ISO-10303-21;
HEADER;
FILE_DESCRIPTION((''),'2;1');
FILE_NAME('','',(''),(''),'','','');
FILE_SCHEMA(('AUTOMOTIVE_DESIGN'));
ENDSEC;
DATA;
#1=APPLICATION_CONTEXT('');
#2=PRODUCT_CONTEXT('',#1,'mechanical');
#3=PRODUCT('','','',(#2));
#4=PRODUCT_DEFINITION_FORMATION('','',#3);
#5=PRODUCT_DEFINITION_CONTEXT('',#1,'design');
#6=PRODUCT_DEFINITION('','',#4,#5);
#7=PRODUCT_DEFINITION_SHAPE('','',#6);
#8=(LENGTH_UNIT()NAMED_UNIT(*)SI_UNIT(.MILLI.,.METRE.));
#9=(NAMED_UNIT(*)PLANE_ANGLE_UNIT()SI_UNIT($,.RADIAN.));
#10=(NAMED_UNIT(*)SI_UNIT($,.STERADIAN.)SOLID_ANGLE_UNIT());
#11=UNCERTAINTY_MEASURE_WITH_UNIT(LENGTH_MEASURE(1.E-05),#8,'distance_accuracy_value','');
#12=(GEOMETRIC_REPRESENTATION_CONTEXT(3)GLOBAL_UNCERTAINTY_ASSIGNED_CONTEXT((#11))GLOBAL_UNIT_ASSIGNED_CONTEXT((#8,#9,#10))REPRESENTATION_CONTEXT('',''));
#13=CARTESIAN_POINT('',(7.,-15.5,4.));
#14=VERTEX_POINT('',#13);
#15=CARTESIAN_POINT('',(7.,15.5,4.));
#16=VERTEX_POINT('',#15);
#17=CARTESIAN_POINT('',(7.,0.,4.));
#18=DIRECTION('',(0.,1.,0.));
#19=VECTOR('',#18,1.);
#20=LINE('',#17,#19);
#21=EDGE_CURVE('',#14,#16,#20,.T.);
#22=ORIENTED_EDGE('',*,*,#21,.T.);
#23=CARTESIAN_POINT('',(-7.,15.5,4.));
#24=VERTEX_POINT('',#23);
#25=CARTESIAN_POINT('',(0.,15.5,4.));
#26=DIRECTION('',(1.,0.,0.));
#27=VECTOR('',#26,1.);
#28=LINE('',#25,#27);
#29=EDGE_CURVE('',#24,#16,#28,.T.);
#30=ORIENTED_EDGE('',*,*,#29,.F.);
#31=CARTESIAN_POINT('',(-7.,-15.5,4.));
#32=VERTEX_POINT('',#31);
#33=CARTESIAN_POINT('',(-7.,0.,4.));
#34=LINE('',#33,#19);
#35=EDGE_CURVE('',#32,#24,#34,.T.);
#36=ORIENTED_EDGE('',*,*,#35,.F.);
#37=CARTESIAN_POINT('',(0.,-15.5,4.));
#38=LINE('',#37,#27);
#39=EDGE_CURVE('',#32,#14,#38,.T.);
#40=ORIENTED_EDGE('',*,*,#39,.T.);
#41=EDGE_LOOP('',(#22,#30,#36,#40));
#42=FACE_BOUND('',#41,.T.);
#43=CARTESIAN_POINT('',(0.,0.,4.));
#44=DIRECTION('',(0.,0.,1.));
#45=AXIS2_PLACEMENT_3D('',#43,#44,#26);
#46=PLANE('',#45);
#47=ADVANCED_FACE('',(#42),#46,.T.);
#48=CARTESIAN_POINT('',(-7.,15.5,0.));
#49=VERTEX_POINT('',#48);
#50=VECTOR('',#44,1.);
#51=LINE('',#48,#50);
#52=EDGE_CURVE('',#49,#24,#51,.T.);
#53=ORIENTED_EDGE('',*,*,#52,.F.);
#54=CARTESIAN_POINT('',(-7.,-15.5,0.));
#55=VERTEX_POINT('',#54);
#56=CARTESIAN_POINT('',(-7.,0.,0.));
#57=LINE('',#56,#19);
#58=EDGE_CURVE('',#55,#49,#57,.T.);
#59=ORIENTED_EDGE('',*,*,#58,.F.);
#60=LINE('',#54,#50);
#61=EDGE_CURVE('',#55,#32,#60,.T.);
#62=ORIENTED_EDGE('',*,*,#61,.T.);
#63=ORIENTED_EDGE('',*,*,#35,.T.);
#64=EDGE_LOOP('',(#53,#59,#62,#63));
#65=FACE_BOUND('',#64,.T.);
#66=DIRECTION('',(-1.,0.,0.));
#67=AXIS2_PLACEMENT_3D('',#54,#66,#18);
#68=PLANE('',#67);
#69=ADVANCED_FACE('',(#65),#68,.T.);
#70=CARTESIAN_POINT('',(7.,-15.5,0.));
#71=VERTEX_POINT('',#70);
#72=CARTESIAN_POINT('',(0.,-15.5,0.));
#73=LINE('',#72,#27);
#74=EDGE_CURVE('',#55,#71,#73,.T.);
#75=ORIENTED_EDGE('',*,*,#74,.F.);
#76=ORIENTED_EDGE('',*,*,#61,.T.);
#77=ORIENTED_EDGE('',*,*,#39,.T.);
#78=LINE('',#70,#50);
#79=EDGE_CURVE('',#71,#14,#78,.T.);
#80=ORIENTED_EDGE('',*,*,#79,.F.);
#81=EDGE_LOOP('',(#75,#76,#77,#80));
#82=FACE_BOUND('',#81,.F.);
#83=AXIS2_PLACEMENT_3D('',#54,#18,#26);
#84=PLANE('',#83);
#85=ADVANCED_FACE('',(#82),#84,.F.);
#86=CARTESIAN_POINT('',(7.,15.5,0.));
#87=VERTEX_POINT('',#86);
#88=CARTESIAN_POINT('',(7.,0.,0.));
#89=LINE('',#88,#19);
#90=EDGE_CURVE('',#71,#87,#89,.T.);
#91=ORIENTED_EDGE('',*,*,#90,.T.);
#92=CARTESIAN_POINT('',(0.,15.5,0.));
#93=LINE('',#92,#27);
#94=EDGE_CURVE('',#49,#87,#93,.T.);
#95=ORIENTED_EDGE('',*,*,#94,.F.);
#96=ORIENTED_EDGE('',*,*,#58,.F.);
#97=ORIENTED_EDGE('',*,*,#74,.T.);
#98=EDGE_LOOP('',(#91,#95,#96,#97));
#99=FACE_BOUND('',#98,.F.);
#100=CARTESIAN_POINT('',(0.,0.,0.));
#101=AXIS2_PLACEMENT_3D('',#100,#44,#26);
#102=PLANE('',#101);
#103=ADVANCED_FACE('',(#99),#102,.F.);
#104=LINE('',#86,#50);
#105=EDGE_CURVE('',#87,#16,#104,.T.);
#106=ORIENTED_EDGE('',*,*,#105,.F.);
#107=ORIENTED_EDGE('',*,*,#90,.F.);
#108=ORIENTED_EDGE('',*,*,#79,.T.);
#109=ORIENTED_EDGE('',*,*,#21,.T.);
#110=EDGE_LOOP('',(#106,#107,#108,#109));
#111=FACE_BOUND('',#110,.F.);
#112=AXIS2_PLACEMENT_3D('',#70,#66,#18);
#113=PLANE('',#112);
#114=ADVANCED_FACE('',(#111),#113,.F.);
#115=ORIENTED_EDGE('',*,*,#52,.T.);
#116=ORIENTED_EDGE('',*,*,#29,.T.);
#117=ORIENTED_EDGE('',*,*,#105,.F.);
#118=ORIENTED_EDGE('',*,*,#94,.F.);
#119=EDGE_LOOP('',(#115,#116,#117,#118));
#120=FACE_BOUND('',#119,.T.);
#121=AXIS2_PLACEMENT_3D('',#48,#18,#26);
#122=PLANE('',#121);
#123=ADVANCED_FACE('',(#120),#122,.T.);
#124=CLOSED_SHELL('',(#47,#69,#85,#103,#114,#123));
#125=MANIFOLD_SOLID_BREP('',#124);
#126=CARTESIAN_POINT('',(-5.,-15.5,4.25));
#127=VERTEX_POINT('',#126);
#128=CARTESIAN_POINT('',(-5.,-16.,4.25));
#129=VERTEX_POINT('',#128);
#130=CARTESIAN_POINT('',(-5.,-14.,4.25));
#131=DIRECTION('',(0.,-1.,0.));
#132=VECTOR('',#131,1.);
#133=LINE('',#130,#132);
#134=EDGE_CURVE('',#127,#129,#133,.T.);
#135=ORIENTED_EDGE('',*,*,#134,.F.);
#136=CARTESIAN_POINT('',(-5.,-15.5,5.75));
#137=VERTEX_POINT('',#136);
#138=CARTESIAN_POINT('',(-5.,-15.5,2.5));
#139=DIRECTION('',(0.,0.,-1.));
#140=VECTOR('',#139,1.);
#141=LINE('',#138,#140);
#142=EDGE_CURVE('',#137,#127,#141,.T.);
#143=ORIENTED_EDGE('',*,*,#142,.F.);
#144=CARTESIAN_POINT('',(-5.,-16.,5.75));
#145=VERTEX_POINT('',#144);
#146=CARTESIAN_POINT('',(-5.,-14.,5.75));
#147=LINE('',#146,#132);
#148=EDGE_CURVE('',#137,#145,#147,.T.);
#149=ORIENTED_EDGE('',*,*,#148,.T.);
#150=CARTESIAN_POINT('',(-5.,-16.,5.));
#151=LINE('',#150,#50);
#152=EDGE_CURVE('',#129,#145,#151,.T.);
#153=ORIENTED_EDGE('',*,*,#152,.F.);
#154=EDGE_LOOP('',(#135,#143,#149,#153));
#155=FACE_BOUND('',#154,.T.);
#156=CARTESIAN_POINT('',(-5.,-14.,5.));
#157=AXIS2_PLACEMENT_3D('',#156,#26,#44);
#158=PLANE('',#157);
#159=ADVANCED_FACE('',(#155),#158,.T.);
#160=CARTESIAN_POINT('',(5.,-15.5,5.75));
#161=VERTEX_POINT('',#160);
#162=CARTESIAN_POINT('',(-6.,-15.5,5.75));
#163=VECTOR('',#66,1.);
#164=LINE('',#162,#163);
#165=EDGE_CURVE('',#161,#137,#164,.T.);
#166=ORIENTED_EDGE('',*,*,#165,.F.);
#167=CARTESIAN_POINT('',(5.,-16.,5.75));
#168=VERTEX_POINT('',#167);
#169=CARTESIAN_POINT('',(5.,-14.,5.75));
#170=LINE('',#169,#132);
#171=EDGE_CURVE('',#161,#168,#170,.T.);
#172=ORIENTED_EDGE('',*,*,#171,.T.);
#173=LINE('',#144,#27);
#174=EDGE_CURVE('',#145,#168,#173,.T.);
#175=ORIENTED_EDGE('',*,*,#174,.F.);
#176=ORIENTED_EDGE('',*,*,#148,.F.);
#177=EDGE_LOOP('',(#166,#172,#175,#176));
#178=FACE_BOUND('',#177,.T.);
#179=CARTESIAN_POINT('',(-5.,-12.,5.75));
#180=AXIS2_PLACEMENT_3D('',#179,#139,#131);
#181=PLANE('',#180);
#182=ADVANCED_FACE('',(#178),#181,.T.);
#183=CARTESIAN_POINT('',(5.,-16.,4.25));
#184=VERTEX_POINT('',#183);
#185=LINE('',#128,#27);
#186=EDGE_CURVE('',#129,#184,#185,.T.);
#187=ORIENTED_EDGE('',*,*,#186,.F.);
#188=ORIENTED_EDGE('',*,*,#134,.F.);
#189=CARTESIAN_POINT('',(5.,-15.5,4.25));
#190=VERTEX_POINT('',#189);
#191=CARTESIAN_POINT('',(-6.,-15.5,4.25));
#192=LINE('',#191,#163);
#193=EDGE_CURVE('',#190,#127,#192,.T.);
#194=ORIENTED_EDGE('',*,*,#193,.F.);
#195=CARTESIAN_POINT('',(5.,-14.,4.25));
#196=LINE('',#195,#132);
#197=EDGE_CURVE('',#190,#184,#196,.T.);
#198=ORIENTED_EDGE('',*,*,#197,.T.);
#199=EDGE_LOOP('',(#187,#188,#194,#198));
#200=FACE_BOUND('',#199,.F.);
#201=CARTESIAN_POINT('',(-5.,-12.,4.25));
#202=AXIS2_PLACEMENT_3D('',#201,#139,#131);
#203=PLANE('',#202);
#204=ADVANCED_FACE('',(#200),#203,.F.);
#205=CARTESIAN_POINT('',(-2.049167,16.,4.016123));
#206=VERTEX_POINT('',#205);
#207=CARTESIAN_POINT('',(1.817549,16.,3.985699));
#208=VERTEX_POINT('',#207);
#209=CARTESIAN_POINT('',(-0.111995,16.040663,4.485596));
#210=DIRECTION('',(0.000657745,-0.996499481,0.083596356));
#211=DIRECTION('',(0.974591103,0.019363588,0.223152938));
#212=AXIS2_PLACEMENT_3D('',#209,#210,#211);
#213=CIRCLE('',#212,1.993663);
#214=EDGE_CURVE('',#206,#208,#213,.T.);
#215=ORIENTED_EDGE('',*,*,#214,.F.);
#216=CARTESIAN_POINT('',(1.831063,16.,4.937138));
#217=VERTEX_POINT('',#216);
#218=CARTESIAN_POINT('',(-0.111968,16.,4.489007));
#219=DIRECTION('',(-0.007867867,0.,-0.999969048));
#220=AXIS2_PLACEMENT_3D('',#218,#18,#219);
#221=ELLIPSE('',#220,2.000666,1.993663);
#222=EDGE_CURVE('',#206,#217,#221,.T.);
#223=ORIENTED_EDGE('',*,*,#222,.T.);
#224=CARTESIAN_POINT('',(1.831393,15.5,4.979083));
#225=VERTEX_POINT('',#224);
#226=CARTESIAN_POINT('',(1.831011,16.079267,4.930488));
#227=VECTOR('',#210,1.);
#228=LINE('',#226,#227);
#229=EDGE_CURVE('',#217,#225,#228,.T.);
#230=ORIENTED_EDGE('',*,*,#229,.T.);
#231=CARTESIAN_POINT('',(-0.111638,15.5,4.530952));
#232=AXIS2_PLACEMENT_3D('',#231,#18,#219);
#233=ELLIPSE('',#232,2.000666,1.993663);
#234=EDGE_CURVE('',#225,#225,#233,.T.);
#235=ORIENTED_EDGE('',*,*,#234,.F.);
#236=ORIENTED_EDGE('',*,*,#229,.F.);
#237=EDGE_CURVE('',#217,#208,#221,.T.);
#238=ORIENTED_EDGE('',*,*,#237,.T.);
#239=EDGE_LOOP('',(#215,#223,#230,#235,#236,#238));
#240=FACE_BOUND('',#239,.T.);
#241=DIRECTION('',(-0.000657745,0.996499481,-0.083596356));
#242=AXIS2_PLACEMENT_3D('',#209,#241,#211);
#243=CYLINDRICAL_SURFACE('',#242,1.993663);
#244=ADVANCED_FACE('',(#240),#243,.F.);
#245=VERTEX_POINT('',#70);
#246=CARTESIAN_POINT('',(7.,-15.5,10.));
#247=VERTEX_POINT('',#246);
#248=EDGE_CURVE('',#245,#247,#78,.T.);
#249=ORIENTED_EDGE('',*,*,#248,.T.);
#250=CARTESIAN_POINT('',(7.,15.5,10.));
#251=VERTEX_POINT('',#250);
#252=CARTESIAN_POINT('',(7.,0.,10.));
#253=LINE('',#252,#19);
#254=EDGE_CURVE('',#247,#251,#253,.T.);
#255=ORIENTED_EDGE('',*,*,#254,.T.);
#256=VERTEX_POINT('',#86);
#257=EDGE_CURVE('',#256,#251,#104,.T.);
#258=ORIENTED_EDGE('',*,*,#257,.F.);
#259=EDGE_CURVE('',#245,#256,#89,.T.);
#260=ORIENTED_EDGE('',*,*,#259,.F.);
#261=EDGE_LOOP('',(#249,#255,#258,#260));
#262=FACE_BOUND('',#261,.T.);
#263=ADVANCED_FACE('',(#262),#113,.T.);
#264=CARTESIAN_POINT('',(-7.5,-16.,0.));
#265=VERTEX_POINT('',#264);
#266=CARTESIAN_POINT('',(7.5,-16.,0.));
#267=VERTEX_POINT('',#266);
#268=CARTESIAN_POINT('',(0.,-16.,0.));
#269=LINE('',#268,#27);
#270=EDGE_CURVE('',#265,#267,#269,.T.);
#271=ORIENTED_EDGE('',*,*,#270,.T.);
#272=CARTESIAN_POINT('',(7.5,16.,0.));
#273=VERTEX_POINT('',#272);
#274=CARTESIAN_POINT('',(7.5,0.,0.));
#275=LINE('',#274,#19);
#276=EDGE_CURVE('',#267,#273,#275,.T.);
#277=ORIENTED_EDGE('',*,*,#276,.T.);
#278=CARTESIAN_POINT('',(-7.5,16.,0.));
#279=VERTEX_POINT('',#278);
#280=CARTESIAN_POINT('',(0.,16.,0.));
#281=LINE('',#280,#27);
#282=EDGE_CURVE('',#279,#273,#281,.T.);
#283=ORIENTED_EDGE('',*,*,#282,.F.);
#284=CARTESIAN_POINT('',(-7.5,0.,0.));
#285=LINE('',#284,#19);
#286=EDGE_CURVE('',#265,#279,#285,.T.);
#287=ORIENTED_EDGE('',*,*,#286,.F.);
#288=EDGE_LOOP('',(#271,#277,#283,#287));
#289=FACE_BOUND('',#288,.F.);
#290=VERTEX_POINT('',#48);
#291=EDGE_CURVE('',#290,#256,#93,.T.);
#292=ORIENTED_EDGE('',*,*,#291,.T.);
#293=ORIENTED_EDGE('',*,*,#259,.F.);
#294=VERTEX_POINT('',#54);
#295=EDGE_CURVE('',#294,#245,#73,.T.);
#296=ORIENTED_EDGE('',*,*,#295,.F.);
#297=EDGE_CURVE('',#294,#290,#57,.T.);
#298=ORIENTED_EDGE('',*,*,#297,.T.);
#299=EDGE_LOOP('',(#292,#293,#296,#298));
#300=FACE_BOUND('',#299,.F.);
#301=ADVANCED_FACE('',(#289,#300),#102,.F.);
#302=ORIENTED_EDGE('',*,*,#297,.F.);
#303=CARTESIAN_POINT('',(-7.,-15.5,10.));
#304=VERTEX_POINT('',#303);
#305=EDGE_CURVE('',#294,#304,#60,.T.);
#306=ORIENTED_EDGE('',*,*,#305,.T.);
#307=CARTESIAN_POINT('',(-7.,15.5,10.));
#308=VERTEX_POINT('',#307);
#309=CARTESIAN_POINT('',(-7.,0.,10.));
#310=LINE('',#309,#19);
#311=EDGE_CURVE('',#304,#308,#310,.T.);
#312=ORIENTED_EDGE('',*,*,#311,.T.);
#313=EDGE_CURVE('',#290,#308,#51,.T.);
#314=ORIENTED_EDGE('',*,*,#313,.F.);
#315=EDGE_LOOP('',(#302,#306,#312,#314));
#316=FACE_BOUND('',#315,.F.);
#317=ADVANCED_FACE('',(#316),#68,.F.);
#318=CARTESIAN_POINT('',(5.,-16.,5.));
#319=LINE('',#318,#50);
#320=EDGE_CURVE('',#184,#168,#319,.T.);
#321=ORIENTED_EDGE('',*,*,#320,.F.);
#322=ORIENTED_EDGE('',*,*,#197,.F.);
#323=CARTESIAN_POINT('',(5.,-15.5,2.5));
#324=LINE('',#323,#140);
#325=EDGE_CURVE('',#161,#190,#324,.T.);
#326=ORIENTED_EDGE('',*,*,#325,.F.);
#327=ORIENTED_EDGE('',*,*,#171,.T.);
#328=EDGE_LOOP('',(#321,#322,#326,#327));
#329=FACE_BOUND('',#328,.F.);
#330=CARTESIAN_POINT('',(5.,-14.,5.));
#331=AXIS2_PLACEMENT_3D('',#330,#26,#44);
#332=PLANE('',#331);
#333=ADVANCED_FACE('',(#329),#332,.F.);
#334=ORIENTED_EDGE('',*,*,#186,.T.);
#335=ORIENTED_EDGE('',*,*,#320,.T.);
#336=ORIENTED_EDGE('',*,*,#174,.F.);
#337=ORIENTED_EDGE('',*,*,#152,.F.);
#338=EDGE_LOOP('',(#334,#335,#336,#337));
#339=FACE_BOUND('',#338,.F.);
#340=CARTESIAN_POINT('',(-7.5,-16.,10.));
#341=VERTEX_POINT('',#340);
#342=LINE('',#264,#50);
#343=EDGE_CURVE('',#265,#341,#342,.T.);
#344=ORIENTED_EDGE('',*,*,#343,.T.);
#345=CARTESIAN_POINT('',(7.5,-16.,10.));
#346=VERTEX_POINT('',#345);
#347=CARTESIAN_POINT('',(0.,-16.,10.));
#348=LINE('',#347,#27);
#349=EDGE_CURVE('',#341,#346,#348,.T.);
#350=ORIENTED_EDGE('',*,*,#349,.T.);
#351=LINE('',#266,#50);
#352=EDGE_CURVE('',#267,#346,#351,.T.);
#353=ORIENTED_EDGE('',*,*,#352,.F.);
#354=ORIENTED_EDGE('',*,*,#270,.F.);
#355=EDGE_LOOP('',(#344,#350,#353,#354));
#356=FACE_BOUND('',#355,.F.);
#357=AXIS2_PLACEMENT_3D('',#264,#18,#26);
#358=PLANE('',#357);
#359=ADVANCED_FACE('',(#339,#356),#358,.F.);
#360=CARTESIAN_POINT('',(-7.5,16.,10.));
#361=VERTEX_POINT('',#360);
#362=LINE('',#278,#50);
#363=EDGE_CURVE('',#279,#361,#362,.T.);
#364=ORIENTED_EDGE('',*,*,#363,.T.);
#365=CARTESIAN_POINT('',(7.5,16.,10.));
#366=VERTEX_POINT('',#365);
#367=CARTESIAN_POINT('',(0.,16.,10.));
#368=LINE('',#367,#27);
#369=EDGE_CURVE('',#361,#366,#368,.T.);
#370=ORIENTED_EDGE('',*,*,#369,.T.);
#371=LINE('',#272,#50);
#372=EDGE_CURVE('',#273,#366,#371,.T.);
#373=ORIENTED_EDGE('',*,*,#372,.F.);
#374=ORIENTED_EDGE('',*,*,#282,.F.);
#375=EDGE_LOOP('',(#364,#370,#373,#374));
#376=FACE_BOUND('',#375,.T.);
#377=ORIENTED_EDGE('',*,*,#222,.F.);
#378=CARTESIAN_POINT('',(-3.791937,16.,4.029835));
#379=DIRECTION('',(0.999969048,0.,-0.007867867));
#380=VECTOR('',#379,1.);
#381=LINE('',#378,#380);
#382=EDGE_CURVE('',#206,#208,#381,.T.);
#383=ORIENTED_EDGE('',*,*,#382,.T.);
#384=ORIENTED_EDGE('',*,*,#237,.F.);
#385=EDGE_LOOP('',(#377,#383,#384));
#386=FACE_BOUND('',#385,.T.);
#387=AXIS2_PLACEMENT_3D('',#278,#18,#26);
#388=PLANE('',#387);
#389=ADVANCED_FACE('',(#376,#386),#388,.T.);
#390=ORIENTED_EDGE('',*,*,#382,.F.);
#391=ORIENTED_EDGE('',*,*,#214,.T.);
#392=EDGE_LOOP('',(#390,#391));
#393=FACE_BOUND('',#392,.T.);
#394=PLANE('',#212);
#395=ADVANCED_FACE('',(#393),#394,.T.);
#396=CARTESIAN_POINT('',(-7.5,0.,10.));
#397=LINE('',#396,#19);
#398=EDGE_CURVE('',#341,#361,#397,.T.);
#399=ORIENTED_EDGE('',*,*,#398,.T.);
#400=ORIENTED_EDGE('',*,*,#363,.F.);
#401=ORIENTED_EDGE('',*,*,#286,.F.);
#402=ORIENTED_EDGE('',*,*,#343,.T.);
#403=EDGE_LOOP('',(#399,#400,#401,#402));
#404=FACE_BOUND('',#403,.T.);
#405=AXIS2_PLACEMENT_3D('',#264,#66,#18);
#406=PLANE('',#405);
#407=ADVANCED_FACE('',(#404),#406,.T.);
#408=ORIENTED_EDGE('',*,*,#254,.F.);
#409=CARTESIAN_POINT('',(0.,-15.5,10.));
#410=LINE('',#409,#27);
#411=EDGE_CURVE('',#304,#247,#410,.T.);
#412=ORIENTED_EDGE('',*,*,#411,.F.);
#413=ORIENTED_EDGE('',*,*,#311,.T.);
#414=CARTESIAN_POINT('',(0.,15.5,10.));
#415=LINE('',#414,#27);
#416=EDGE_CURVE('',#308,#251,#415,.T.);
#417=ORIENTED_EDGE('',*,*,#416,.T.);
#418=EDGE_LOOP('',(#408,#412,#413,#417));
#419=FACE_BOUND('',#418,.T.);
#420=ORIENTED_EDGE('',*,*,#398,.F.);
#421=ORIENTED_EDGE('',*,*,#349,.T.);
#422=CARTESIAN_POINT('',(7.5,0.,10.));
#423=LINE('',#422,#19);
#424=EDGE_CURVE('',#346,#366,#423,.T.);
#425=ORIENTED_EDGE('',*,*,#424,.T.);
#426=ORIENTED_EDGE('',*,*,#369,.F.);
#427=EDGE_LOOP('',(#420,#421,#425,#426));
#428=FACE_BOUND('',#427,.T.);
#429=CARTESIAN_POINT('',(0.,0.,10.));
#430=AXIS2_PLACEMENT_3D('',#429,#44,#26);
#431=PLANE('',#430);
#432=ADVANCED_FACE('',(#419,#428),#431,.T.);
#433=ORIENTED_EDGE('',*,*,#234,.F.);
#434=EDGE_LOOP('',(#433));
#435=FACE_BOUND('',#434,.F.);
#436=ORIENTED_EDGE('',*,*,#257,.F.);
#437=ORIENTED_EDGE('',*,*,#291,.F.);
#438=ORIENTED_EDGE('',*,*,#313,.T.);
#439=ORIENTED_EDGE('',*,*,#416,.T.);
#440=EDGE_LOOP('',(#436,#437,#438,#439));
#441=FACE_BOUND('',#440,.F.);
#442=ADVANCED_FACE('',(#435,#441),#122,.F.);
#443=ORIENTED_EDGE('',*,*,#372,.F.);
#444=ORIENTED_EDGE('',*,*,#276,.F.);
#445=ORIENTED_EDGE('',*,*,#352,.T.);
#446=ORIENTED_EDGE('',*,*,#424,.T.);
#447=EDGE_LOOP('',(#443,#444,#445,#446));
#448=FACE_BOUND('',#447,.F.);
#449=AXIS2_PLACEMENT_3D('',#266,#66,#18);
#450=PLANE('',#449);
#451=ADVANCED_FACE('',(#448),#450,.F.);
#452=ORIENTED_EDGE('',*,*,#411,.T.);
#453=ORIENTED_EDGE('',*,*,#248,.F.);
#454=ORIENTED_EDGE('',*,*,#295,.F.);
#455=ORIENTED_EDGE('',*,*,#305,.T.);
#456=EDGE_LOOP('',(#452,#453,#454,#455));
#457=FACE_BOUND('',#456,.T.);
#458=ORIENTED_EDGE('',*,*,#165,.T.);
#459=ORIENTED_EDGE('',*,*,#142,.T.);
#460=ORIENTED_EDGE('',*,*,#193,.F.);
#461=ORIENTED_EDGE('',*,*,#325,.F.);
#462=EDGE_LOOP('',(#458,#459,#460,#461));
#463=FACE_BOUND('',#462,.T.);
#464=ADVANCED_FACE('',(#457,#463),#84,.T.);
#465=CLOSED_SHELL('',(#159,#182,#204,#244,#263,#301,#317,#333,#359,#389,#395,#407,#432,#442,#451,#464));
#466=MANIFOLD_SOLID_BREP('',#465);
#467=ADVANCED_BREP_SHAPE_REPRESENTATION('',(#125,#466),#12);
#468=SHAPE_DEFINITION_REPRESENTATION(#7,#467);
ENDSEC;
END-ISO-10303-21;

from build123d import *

# Parameters (mm, degrees)
SKETCH001_W             = 14
SKETCH001_H             = 31
PAD001_DEPTH            = 4
SKETCH003_R             = 1.993663
PAD005_DEPTH            = 1
BODY003_ROLL_ANGLE      = 85.080334
BODY003_PITCH_ANGLE     = -12.894288
BODY003_PLACEMENT_ANGLE = 1.138227
SKETCH002_W             = 1.5
SKETCH002_H             = 4
PAD004_DEPTH            = 10
BODY002_PITCH_ANGLE     = -90
BODY002_PLACEMENT_ANGLE = -180
SKETCH_W                = 15
SKETCH_H                = 32
SKETCH_W_2              = 14
SKETCH_H_2              = 31
PAD_DEPTH               = 10


with BuildPart() as body001:
    # Sketch001 → Pad001 (new body)
    with BuildSketch(Plane.XY):
        Rectangle(SKETCH001_W, SKETCH001_H)
    extrude(amount=PAD001_DEPTH)


with BuildPart() as body003:
    # Sketch003 → Pad005 (new body)
    with BuildSketch(Plane.XY):
        with Locations((0, 0.5)):
            Circle(SKETCH003_R)
    extrude(amount=PAD005_DEPTH)


with BuildPart() as body003_1:
    # Body003 roll: moved
    add(body003.part.rotate(Axis((0, 0, 0), (1, 0, 0)), BODY003_ROLL_ANGLE))


with BuildPart() as body003_2:
    # Body003 pitch: moved
    add(body003_1.part.rotate(Axis((0, 0, 0), (0, 1, 0)), BODY003_PITCH_ANGLE))


with BuildPart() as body003_3:
    # Body003 placement: moved
    add(body003_2.part.moved(Location((0, 16, 4))).rotate(Axis((0, 16, 4), (0, 0, 1)), BODY003_PLACEMENT_ANGLE))


with BuildPart() as body002:
    # Sketch002 → Pad004 (new body)
    with BuildSketch(Plane.XY):
        Rectangle(SKETCH002_W, SKETCH002_H)
    extrude(amount=PAD004_DEPTH)


with BuildPart() as body002_1:
    # Body002 pitch: moved
    add(body002.part.rotate(Axis((0, 0, 0), (0, 1, 0)), BODY002_PITCH_ANGLE))


with BuildPart() as body002_2:
    # Body002 placement: moved
    add(body002_1.part.moved(Location((-5, -14, 5))).rotate(Axis((-5, -14, 5), (0, 0, 1)), BODY002_PLACEMENT_ANGLE))


with BuildPart() as cut001:
    # Sketch → Pad (new body)
    with BuildSketch(Plane.XY):
        Rectangle(SKETCH_W, SKETCH_H)
        Rectangle(SKETCH_W_2, SKETCH_H_2, mode=Mode.SUBTRACT)
    extrude(amount=PAD_DEPTH)

    # Cut: cut Body002
    add(body002_2.part, mode=Mode.SUBTRACT)

    # Cut001: cut Body003
    add(body003_3.part, mode=Mode.SUBTRACT)


solid = Compound([body001.part, cut001.part])
